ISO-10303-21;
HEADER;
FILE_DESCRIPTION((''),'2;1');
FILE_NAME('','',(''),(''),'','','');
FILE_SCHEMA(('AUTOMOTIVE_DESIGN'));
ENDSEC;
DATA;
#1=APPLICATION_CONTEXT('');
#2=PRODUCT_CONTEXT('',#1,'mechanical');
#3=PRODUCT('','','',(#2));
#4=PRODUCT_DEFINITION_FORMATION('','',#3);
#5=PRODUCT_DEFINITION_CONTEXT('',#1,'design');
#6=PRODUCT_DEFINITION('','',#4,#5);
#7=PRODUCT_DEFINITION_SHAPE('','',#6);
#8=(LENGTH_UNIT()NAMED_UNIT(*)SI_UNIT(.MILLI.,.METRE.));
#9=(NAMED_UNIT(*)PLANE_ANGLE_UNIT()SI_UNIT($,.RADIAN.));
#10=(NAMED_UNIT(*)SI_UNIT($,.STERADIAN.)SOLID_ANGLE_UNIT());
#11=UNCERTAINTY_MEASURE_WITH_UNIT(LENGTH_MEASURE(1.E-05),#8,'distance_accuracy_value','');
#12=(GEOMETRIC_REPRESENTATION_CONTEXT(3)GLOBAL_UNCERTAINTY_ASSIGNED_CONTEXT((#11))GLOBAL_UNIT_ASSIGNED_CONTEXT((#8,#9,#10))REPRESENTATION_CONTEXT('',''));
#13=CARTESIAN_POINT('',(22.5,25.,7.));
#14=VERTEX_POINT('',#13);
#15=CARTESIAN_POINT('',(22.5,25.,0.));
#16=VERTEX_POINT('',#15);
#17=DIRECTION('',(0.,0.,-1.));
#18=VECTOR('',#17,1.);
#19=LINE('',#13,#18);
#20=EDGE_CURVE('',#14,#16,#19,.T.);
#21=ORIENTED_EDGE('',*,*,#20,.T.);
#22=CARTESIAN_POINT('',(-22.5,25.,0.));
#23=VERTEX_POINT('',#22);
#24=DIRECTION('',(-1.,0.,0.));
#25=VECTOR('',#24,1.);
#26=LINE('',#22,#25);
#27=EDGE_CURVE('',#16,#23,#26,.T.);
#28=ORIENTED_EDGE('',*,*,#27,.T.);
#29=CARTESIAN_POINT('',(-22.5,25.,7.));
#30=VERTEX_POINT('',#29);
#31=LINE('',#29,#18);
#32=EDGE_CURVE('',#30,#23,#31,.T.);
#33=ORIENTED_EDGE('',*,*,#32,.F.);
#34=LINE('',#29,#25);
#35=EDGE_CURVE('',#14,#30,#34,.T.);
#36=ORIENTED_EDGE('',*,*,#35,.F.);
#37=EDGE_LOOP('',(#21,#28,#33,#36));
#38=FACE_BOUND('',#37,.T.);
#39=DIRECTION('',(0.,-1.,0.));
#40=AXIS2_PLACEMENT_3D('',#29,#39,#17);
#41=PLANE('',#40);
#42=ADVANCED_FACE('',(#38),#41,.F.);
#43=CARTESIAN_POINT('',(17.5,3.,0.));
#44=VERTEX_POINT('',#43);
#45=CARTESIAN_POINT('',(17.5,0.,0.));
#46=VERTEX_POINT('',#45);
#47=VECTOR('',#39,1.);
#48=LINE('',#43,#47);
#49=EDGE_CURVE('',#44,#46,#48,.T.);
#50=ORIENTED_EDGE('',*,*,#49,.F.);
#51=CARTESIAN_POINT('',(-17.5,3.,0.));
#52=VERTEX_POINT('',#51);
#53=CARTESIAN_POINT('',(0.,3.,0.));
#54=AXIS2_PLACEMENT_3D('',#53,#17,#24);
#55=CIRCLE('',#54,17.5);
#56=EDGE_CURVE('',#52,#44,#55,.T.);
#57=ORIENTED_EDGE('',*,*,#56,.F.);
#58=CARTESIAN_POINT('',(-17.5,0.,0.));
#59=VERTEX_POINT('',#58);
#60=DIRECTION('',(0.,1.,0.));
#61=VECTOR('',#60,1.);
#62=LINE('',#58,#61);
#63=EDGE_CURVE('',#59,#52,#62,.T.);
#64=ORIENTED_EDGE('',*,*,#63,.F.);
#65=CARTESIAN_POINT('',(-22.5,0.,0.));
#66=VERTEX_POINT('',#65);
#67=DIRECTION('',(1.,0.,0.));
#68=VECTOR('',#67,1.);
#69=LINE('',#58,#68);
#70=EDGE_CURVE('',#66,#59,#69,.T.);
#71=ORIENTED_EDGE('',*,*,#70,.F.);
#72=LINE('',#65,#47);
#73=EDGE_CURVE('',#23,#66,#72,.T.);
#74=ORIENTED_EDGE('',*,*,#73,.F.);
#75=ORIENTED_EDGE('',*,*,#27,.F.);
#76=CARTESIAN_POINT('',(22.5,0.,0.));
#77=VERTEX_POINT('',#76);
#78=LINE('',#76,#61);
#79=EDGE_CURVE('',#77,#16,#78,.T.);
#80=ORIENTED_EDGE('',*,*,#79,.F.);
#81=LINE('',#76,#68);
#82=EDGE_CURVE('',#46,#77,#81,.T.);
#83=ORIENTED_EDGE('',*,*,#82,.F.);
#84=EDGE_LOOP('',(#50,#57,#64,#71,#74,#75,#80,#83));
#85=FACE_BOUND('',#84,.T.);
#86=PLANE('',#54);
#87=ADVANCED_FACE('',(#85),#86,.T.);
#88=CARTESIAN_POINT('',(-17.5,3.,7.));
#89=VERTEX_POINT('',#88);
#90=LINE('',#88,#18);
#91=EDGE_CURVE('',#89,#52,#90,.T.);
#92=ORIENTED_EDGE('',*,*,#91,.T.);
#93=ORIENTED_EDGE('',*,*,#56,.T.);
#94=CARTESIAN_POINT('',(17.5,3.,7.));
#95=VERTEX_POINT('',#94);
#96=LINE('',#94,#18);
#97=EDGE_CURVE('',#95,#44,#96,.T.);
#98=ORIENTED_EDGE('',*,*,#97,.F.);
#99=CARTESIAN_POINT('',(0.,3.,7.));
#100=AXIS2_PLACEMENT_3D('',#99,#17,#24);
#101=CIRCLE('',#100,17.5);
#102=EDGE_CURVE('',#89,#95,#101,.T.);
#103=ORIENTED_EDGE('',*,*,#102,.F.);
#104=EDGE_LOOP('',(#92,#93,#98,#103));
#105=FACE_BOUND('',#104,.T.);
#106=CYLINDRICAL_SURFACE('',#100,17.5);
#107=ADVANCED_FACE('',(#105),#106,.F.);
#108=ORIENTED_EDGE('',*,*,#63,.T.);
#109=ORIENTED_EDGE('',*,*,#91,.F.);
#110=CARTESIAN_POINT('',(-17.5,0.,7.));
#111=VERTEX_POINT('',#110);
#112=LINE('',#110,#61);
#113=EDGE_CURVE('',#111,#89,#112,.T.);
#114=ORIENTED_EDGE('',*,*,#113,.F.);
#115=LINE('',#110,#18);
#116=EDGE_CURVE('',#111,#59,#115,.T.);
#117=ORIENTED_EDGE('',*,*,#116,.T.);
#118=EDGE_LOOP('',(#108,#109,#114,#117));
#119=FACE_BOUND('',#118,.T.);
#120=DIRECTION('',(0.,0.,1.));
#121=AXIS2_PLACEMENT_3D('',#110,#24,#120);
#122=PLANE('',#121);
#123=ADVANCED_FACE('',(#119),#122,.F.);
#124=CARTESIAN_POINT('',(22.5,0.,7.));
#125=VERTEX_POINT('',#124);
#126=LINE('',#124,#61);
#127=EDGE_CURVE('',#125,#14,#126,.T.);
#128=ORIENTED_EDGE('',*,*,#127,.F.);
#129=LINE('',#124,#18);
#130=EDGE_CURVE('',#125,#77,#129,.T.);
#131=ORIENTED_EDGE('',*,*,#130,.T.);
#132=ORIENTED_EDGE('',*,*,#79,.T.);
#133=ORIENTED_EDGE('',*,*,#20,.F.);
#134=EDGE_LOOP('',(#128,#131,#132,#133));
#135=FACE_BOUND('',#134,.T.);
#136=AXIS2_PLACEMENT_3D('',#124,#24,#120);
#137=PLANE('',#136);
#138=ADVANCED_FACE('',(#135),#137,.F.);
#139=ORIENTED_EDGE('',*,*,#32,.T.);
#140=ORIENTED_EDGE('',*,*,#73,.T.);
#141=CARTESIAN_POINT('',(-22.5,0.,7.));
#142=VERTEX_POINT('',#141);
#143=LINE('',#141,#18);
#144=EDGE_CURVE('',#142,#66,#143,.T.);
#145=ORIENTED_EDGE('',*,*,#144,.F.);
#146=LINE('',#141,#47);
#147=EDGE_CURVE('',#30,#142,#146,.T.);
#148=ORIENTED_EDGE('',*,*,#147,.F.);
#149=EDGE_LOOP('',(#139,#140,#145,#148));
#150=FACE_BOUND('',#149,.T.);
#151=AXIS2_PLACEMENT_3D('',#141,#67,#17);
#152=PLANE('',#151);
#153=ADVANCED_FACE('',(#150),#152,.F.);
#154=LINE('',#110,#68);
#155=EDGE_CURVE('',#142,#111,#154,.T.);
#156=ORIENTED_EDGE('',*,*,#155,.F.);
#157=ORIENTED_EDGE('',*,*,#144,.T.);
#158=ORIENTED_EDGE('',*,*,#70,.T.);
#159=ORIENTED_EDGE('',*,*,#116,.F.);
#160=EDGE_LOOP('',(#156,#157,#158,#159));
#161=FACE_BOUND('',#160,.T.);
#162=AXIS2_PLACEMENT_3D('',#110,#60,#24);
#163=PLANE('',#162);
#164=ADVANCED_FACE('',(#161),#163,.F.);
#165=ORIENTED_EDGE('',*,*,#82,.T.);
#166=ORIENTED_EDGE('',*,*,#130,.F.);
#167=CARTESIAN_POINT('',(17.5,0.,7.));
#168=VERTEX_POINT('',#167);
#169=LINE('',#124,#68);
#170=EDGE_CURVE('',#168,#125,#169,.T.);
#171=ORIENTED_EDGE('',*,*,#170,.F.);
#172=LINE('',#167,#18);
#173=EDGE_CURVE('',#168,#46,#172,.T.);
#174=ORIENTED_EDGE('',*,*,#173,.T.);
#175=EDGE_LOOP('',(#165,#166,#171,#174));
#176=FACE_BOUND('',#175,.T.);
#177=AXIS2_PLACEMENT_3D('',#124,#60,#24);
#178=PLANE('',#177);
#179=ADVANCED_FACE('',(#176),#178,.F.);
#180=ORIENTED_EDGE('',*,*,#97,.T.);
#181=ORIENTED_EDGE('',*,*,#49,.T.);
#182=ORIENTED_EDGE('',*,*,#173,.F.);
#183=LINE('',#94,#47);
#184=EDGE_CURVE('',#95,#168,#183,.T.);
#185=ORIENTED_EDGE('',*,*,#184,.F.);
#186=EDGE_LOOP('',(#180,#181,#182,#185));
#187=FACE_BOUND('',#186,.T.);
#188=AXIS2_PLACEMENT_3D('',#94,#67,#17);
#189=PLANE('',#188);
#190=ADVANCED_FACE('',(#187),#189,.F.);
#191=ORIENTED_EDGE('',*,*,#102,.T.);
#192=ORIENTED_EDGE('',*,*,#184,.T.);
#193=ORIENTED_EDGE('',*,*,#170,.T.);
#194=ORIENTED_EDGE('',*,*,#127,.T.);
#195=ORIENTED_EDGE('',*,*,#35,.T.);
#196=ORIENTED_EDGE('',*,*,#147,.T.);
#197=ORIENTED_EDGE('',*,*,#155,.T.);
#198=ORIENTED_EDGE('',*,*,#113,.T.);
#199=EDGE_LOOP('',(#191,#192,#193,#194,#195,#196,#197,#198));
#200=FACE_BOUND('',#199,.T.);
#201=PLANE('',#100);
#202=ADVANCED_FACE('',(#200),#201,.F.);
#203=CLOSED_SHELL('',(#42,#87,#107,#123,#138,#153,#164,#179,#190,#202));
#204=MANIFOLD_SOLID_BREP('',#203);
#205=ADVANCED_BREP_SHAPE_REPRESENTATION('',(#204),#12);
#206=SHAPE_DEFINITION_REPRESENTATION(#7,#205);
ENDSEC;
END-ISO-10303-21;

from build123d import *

# Parameters (mm, degrees)
BOSS_EXTRUDE1_DEPTH = 7


with BuildPart() as part:
    # Sketch1 → Boss-Extrude1 (new body)
    with BuildSketch(Plane.XY):
        with BuildLine():
            Line((22.5, 0), (17.5, 0))
            Line((17.5, 0), (17.5, 3))
            ThreePointArc((17.5, 3), (0, 20.5), (-17.5, 3))
            Line((-17.5, 3), (-17.5, 0))
            Line((-17.5, 0), (-22.5, 0))
            Line((-22.5, 0), (-22.5, 25))
            Line((-22.5, 25), (22.5, 25))
            Line((22.5, 25), (22.5, 0))
        make_face()
    extrude(amount=BOSS_EXTRUDE1_DEPTH)


solid = part.part
